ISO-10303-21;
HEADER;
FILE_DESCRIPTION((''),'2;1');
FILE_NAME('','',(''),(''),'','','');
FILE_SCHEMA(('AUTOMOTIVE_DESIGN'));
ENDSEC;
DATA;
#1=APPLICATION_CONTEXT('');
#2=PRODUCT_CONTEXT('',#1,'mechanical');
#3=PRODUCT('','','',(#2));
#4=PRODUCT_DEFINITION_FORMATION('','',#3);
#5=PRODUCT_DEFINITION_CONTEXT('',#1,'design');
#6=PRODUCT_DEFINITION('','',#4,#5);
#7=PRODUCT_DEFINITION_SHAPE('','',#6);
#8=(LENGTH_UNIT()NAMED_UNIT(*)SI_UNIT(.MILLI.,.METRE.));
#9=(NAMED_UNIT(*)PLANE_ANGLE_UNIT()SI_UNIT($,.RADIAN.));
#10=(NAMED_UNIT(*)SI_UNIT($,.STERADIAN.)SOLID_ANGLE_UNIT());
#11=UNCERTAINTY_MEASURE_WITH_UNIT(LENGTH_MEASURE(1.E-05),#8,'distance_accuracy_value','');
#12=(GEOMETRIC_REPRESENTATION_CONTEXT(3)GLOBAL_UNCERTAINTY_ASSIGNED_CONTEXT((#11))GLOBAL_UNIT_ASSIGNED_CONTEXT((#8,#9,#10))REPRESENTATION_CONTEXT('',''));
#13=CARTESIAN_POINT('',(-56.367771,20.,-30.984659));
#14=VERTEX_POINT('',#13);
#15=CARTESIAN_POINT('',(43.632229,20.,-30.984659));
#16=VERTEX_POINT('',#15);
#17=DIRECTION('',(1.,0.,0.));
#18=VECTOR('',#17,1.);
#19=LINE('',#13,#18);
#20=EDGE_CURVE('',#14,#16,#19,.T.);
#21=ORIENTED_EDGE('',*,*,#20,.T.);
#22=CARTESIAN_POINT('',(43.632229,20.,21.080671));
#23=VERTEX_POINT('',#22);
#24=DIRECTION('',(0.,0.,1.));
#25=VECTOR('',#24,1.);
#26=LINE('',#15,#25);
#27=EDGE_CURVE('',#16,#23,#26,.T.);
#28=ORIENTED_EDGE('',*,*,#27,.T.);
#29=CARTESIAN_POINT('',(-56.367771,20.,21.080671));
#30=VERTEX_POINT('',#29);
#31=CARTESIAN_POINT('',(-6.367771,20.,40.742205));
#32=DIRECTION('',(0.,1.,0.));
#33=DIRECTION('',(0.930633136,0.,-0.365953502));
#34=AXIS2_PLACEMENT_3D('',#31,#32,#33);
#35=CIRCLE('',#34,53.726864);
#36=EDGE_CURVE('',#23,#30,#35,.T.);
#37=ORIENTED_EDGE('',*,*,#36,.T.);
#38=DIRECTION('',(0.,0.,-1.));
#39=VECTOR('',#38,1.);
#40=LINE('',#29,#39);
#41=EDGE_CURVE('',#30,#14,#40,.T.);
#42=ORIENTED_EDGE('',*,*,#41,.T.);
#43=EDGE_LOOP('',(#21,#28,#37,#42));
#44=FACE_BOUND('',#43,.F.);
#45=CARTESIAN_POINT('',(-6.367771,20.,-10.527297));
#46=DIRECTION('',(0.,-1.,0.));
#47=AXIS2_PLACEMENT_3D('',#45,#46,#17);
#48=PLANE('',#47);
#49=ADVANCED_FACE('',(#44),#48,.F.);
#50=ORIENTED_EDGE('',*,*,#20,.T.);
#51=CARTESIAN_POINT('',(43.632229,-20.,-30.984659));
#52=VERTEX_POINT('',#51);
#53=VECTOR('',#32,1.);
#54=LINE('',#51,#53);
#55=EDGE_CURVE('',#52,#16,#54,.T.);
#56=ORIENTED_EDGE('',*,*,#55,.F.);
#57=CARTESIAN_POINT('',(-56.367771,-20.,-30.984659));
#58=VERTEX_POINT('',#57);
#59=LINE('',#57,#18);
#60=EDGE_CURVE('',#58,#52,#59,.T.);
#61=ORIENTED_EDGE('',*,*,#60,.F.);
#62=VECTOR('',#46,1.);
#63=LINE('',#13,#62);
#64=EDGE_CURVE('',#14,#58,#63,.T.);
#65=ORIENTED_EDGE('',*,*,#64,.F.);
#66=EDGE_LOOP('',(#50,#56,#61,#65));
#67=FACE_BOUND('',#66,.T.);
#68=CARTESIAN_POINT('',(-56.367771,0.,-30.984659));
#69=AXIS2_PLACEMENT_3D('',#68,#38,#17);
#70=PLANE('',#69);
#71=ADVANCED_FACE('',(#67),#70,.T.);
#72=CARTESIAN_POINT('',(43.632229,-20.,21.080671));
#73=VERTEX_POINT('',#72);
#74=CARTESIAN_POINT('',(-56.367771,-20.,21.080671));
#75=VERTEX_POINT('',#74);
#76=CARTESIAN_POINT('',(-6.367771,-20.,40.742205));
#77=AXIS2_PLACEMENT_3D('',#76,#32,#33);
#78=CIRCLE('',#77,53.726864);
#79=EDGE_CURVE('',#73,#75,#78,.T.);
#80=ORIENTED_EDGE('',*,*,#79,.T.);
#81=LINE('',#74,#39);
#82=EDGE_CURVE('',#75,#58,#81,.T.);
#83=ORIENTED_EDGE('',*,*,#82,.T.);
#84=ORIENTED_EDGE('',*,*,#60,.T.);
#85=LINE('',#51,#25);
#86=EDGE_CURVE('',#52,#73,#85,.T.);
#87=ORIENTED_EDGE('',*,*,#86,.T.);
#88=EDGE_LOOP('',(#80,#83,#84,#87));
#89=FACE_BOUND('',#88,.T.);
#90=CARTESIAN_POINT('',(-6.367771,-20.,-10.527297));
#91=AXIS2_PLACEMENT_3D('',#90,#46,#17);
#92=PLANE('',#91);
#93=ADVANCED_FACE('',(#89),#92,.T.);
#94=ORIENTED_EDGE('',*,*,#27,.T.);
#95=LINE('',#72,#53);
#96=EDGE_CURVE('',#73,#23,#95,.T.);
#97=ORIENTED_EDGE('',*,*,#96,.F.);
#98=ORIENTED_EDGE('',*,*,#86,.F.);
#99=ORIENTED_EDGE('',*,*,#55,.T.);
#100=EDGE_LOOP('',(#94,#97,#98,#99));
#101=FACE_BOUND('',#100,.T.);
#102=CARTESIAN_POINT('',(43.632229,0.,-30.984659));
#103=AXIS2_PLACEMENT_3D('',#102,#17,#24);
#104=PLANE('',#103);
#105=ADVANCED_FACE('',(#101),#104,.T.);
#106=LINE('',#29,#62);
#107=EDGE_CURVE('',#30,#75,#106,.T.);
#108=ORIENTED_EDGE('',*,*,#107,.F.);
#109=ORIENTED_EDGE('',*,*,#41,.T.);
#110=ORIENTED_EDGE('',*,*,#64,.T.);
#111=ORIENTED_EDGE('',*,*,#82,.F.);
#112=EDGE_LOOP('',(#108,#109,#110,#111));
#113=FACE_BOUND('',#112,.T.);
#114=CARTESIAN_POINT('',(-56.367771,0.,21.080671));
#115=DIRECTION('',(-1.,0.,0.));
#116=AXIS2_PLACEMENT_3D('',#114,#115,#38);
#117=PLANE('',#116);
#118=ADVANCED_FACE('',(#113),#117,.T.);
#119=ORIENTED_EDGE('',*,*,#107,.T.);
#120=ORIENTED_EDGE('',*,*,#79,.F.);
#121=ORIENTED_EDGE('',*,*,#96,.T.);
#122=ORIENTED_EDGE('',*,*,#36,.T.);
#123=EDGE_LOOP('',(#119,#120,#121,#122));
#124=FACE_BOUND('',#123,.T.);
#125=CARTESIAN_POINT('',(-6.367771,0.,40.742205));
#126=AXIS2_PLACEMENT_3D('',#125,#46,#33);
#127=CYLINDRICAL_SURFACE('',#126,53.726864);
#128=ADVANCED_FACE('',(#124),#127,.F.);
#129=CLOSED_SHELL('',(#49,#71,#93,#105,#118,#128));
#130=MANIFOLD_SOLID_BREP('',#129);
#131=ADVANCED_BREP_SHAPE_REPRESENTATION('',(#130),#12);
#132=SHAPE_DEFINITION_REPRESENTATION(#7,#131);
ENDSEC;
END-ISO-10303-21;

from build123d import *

# Parameters (mm, degrees)
F1_DEPTH = 20


with BuildPart() as f1:
    # F0 (on Front) → F1 (new body, symmetric)
    with BuildSketch(Plane.XZ):
        with BuildLine():
            ThreePointArc((43.632229, 21.080671), (-6.367771, -12.984659), (-56.367771, 21.080671))
            Line((-56.367771, 21.080671), (-56.367771, -30.984659))
            Line((-56.367771, -30.984659), (43.632229, -30.984659))
            Line((43.632229, -30.984659), (43.632229, 21.080671))
        make_face()
    extrude(amount=F1_DEPTH, both=True)


solid = f1.part
